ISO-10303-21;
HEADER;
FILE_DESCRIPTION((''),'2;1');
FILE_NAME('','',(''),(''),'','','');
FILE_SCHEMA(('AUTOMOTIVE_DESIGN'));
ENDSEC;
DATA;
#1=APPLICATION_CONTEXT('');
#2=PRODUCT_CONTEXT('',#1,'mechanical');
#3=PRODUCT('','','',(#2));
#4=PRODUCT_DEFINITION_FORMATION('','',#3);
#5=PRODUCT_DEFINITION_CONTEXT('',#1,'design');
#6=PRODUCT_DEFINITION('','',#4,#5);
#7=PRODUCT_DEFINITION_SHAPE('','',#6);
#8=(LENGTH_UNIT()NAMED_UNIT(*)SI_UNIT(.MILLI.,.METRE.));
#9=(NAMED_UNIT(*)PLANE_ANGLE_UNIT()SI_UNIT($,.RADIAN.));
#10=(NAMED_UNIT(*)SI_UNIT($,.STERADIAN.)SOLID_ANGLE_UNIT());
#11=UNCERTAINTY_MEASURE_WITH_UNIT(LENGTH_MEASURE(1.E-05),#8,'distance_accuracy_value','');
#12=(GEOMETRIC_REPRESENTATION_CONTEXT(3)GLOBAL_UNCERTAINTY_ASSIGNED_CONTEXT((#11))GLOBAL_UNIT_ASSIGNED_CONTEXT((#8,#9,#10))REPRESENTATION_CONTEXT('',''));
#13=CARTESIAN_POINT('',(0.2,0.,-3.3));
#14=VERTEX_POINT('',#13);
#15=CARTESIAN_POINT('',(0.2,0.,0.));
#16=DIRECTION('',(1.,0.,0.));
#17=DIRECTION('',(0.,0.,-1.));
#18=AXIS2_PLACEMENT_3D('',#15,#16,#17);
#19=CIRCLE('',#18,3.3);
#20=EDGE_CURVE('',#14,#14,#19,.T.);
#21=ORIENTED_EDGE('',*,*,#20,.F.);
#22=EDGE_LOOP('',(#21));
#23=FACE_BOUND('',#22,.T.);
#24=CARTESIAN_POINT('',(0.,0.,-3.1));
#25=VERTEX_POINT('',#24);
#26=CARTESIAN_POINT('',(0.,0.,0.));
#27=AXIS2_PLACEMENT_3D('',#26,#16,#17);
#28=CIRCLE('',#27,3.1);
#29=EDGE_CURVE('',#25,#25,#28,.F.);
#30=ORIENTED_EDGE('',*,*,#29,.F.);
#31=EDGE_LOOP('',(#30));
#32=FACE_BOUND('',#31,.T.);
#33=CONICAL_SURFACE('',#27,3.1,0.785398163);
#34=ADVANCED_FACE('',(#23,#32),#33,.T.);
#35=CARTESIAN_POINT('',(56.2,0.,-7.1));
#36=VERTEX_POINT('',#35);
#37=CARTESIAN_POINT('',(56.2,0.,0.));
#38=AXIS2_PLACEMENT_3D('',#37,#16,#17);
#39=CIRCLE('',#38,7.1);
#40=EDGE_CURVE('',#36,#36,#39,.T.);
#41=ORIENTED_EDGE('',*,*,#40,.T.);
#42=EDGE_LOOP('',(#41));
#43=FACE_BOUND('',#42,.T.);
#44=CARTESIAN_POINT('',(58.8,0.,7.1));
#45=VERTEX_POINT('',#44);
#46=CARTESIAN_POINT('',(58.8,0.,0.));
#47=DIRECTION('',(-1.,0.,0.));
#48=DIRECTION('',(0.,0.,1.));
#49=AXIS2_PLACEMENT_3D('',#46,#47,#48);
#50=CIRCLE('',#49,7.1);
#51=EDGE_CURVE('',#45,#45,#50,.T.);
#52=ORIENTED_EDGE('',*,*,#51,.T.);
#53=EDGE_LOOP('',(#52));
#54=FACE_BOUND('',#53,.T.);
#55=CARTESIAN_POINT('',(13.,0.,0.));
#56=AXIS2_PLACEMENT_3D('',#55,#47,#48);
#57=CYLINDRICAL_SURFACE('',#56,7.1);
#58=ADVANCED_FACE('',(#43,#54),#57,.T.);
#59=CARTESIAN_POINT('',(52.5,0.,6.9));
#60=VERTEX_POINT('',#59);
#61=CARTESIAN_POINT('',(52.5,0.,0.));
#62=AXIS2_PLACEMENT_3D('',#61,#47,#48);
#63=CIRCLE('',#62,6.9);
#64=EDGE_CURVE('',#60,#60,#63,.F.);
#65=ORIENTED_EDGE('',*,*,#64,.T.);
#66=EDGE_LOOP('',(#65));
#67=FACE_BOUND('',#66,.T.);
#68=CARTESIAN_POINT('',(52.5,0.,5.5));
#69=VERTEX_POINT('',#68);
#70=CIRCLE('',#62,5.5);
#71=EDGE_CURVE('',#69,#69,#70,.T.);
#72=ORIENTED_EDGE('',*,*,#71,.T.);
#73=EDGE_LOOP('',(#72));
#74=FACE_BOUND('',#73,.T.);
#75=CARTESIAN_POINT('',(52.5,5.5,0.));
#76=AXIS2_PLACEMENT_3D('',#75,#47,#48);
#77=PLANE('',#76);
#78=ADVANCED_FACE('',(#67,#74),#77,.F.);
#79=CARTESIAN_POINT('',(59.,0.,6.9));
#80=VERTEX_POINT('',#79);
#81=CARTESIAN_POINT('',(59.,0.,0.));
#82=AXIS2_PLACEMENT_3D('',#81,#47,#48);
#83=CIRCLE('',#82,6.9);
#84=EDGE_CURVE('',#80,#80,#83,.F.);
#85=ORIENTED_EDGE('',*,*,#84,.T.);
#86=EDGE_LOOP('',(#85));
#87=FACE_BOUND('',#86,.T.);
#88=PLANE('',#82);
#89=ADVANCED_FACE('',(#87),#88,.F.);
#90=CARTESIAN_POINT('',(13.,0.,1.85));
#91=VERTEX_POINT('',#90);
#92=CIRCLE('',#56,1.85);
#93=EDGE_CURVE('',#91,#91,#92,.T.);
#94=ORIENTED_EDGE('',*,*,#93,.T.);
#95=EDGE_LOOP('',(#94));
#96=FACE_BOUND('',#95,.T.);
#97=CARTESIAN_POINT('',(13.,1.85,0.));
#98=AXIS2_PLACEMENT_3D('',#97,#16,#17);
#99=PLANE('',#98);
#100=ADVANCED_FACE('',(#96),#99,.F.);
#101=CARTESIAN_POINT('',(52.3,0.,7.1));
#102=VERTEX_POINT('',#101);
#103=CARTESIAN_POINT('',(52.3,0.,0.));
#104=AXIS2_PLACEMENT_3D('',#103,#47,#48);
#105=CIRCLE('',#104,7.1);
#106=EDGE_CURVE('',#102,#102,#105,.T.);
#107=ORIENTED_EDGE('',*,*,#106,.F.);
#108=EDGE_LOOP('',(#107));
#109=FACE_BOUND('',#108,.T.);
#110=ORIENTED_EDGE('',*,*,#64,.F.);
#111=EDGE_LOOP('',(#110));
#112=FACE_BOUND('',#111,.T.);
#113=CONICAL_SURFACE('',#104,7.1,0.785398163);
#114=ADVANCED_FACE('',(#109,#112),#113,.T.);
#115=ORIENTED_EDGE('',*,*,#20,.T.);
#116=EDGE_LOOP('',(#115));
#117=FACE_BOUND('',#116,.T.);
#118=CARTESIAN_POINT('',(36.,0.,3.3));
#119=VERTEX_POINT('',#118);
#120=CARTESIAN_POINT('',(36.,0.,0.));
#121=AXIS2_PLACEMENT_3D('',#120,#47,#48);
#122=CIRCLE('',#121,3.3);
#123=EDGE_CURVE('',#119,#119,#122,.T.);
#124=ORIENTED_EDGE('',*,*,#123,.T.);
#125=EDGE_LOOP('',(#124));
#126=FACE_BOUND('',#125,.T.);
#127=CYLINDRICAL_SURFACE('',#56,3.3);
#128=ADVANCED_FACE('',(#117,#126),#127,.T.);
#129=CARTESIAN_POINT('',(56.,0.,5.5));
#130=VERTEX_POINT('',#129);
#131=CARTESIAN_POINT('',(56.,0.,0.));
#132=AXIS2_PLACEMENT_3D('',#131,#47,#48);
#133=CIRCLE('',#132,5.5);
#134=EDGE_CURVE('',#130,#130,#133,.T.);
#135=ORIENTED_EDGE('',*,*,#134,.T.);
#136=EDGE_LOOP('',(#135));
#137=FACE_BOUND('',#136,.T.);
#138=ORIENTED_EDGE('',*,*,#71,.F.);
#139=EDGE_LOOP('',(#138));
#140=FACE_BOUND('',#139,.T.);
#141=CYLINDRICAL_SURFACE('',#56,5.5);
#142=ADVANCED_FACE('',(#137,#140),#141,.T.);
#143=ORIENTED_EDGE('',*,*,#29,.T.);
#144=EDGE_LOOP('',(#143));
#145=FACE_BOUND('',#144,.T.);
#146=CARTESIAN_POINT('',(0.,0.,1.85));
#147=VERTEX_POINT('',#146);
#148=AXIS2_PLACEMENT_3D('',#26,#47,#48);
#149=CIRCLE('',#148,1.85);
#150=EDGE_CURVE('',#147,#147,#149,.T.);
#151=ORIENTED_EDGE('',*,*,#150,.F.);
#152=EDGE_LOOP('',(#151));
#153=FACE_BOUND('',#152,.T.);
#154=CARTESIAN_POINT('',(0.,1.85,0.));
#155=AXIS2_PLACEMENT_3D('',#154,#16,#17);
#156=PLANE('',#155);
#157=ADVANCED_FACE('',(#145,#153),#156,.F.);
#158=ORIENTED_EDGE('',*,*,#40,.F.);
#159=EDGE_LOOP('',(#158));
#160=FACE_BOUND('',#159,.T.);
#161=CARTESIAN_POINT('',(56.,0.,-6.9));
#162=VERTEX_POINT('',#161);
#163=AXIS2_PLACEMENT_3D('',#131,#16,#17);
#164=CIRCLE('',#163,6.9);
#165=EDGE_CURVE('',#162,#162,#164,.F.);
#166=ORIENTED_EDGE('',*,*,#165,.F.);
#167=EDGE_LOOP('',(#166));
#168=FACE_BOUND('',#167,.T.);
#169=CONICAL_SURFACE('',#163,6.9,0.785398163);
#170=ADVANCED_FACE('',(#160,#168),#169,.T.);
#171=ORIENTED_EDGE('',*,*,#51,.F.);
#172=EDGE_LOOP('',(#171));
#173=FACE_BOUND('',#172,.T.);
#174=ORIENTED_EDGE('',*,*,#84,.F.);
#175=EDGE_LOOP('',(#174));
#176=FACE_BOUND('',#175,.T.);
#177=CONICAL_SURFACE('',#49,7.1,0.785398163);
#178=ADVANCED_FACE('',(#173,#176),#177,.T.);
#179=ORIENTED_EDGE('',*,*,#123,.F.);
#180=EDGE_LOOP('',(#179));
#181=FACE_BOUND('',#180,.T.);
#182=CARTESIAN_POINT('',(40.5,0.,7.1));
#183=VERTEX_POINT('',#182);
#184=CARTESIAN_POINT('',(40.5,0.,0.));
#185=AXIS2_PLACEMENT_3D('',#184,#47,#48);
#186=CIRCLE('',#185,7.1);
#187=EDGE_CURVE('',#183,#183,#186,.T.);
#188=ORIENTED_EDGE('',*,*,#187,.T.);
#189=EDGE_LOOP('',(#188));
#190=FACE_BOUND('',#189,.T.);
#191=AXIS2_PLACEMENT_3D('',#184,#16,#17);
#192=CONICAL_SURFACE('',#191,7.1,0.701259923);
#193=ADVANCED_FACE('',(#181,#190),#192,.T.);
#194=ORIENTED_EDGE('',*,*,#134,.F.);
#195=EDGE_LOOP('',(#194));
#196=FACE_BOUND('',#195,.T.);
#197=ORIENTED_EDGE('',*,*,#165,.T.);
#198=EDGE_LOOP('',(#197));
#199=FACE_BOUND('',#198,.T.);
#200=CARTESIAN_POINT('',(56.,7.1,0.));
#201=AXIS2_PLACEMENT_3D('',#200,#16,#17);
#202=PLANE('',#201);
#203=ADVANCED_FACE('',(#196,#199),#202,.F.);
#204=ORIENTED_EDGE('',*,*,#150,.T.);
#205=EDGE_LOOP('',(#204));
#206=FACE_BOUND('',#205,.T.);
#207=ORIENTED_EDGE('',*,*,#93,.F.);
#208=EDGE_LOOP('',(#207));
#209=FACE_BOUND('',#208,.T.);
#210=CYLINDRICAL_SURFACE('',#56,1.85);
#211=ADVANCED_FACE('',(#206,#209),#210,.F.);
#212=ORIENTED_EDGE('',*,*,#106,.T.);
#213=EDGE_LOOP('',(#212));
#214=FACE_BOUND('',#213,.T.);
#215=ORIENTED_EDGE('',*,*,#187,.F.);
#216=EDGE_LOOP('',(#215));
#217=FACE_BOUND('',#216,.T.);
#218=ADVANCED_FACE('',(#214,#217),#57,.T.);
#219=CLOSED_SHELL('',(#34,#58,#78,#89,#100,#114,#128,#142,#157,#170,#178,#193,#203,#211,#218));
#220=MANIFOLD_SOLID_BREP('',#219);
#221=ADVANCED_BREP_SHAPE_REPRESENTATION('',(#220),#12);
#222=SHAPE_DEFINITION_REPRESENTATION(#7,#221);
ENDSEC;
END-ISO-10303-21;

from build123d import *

# Parameters (mm, degrees)
CHANFRO2_SIZE = 0.2


with BuildPart() as part:
    # Esboço1 → Revolução1 (revolve)
    with BuildSketch(Plane.XY, mode=Mode.PRIVATE) as revolu_o1_sk:
        Polygon((13, 0), (59, 0), (59, 7.1), (56, 7.1), (56, 5.5), (52.5, 5.5), (52.5, 7.1), (40.5, 7.1), (36, 3.3), (0, 3.3), (0, 1.85), (13, 1.85), align=None)
    revolve(revolu_o1_sk.sketch.rotate(Axis((13, 0, 0), (1, 0, 0)), 90), axis=Axis((13, 0, 0), (1, 0, 0)))

    # Chanfro2
    chanfro2_edges = [part.edges().sort_by_distance(p)[0] for p in [
        (0, 0, -3.3),
        (52.5, 0, -7.1),
        (56, 0, -7.1),
        (59, 0, -7.1),
    ]]
    chamfer(chanfro2_edges, length=CHANFRO2_SIZE)


solid = part.part
